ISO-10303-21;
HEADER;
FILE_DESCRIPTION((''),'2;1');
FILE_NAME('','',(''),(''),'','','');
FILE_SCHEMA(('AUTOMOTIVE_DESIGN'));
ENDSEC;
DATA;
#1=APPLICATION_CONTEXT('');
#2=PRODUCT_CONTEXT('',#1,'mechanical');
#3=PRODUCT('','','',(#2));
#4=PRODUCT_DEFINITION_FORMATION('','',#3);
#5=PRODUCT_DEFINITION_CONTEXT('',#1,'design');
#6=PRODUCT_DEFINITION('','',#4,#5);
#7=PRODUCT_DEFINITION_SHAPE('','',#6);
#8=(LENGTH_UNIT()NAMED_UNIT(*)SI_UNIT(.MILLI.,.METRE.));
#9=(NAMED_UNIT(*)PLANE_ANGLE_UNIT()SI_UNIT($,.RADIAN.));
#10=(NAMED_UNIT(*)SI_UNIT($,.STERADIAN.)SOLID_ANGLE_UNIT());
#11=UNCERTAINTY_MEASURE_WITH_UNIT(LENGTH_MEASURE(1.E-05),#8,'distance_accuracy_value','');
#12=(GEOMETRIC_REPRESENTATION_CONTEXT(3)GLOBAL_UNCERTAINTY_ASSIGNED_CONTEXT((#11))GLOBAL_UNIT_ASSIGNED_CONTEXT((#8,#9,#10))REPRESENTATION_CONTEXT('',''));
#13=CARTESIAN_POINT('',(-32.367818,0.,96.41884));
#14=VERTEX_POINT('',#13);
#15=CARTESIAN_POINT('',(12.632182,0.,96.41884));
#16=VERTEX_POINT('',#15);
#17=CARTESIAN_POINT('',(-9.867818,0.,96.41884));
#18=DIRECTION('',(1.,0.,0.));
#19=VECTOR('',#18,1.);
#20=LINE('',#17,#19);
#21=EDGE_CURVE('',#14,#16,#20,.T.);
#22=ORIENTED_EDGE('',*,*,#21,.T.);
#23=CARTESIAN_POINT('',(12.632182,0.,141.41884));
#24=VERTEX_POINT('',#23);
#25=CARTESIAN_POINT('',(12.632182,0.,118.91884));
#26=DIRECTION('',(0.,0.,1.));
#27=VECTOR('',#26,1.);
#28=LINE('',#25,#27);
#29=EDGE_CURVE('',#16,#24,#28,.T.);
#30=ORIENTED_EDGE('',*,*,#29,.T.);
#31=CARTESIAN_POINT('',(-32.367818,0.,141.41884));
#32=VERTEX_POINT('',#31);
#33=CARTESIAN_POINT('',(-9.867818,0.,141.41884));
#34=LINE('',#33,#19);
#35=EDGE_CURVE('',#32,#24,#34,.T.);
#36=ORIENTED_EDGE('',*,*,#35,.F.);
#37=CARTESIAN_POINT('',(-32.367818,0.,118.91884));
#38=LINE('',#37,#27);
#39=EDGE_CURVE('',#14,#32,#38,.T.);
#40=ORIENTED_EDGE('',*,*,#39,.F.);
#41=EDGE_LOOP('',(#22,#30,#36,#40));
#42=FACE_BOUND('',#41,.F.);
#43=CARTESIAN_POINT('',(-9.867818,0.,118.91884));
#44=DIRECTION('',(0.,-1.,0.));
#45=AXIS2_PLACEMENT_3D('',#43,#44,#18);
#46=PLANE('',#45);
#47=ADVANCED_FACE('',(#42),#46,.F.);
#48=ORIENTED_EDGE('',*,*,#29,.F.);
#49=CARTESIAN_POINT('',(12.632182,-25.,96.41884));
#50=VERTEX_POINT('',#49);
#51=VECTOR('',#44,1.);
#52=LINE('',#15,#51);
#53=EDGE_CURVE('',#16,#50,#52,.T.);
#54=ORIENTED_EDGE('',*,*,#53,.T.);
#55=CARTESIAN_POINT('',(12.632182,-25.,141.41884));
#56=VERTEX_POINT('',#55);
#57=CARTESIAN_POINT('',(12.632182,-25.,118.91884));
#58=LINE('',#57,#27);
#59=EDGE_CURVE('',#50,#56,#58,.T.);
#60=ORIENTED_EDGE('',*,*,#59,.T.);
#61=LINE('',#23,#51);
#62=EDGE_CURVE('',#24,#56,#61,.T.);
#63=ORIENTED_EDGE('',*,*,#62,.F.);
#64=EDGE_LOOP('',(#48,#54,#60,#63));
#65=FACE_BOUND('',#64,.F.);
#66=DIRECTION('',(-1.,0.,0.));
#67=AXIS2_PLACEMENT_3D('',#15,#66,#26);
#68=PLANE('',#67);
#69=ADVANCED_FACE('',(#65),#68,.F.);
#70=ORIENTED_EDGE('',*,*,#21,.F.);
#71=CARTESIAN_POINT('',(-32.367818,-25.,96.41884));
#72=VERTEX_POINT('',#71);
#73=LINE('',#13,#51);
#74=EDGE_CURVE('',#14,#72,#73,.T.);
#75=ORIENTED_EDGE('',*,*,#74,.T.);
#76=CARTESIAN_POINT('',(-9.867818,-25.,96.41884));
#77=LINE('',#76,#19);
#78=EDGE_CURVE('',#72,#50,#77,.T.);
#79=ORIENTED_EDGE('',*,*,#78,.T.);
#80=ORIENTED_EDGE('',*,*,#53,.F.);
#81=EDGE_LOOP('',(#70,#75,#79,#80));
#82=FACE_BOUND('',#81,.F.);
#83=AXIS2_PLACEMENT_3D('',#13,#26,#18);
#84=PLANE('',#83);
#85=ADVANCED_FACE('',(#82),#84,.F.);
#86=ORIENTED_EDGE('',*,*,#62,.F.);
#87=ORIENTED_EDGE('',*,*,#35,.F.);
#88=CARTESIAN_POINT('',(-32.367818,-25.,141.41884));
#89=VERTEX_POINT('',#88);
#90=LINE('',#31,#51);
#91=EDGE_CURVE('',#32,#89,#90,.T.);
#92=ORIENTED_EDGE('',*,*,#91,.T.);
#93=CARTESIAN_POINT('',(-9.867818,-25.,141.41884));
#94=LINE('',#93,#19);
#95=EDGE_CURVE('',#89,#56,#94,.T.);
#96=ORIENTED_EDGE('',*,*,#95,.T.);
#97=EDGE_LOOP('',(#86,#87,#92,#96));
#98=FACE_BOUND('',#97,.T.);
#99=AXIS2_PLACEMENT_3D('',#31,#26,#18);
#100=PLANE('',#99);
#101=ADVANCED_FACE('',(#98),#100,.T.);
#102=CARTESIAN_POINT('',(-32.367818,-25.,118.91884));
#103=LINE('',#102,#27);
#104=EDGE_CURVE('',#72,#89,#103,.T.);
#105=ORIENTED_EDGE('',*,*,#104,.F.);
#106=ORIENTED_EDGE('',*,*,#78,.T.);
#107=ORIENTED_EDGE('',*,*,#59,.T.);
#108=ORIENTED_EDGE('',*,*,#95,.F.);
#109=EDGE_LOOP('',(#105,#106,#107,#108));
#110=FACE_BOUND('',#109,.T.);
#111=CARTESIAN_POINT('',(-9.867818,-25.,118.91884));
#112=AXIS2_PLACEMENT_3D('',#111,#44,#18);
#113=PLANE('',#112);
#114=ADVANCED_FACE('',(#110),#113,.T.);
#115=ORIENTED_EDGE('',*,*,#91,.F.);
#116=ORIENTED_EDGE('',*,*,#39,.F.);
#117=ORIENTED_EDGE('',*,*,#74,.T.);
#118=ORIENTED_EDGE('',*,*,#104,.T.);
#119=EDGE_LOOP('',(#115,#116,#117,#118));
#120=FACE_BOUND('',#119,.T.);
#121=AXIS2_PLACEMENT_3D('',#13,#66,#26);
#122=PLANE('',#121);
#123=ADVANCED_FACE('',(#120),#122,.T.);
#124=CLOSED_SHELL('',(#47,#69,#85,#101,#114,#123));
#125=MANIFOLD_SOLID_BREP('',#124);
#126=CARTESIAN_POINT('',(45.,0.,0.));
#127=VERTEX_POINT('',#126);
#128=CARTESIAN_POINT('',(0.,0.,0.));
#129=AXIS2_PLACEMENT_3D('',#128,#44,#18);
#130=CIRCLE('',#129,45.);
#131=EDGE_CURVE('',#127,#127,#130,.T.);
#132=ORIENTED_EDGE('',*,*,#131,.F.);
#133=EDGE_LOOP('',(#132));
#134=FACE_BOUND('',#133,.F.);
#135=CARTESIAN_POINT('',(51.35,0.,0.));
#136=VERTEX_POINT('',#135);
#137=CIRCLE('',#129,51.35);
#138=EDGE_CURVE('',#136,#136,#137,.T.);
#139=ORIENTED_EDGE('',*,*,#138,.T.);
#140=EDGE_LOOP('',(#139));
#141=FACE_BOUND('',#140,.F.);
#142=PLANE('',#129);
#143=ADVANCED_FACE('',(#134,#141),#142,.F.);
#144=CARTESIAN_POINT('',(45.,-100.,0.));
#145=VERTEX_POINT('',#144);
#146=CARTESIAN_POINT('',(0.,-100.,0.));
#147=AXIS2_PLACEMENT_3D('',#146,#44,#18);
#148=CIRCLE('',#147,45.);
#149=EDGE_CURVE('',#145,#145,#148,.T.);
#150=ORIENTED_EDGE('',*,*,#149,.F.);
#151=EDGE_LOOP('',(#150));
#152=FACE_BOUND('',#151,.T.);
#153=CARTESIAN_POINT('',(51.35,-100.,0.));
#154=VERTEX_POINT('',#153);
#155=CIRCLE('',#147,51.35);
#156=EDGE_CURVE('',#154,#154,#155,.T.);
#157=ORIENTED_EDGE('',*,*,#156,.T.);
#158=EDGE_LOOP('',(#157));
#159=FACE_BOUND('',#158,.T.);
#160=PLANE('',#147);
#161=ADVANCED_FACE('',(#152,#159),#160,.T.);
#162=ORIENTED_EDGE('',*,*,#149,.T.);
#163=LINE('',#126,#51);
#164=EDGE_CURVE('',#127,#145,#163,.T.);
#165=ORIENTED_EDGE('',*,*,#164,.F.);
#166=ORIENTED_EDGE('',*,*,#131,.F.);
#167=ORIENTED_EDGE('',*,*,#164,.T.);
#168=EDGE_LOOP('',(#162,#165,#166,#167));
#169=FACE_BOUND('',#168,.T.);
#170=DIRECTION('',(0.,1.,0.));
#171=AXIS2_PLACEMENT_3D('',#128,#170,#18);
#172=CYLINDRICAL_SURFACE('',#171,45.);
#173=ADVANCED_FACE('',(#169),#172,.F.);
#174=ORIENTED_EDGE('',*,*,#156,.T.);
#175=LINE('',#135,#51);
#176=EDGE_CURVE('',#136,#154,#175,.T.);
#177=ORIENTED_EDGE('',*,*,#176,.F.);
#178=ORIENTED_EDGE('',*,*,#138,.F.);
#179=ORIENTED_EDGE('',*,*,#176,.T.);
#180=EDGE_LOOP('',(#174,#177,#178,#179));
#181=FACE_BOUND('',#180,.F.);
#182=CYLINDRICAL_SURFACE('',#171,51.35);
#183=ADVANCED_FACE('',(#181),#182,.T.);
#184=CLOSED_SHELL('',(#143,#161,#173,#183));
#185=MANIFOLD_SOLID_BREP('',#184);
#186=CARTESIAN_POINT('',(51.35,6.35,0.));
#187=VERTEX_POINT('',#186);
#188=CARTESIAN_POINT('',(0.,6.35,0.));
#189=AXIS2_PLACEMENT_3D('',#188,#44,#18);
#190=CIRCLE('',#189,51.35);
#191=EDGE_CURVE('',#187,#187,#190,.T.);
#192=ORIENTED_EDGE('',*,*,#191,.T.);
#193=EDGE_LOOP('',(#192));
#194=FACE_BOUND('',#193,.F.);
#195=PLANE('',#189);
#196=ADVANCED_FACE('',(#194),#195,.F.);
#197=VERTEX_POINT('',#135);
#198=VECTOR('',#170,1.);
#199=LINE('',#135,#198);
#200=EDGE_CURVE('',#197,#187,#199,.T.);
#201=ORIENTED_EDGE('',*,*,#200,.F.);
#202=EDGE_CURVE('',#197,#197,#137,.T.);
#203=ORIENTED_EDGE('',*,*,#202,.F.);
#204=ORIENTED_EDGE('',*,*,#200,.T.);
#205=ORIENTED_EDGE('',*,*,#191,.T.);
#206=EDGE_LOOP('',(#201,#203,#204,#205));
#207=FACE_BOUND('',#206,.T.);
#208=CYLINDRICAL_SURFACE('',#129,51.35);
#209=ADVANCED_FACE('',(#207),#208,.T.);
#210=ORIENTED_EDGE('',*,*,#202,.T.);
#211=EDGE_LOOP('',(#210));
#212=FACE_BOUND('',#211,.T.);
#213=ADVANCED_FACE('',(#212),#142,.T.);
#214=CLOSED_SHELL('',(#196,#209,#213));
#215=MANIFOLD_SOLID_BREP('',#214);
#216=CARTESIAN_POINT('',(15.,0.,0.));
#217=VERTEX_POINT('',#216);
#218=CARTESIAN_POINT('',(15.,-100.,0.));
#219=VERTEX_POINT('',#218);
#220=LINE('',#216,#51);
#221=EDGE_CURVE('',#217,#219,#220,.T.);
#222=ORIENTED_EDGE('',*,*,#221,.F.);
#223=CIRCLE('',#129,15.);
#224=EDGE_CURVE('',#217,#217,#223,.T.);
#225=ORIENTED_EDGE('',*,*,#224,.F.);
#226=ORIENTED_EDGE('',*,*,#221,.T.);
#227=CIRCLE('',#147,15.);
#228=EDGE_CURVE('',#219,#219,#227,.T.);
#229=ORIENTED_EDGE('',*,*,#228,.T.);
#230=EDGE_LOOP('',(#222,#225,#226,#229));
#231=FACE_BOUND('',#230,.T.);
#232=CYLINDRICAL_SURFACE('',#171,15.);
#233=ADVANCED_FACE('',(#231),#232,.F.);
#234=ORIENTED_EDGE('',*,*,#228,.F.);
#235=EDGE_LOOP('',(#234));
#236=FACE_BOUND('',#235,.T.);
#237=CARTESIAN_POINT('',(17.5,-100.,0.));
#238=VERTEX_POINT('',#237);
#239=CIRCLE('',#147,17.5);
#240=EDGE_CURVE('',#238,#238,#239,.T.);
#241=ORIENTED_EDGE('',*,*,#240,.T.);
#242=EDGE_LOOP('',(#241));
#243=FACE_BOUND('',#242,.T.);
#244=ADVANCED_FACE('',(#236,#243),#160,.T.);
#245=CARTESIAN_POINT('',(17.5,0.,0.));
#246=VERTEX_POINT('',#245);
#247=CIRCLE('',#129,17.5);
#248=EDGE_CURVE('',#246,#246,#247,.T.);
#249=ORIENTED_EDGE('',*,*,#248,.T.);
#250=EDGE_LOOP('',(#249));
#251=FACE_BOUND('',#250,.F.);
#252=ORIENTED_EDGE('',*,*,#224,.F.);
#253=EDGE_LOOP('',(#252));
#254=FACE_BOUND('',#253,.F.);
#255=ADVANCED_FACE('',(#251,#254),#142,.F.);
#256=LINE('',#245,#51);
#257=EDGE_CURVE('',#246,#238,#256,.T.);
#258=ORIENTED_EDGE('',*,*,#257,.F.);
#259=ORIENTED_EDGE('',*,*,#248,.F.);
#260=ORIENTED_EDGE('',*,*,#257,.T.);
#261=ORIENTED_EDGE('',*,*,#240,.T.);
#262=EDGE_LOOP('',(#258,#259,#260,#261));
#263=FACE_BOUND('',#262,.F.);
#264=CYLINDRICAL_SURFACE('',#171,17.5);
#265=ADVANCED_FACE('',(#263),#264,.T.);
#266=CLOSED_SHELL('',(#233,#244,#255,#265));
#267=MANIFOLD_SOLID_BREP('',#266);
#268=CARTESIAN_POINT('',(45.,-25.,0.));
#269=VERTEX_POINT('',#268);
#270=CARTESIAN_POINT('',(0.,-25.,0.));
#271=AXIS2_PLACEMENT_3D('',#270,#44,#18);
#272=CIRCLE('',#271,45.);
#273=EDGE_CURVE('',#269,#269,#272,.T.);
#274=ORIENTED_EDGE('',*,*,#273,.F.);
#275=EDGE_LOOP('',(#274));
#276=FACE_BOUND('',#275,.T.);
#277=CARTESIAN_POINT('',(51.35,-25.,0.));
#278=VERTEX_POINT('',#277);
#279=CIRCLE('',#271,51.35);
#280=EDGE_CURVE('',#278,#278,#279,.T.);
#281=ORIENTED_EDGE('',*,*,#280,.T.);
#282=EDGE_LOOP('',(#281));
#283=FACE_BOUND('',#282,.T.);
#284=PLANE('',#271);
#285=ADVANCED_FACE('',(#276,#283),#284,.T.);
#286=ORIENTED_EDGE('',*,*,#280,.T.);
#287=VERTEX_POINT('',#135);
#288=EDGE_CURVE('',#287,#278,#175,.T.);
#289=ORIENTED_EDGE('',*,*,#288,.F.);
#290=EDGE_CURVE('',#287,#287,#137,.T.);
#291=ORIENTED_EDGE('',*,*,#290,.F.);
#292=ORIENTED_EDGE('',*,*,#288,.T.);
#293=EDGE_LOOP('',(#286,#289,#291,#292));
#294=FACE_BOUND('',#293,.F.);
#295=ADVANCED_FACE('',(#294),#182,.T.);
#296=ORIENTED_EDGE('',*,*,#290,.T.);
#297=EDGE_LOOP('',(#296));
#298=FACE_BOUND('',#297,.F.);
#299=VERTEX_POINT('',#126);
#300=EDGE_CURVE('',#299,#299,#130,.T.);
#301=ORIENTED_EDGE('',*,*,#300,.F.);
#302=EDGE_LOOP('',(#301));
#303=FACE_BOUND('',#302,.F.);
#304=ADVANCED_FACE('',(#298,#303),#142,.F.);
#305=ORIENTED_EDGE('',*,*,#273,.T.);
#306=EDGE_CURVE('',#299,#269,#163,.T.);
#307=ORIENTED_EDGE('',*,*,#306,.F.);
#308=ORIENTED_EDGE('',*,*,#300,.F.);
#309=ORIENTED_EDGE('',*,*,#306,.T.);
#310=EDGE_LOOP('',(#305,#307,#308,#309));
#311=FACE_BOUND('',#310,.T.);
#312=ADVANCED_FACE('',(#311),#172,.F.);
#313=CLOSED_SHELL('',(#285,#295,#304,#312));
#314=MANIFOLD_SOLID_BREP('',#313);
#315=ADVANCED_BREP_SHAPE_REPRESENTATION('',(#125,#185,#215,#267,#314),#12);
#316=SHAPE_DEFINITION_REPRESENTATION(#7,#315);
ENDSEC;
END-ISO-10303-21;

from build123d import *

# Parameters (mm, degrees)
F0_R     = 17.5
F0_R_2   = 15
F1_DEPTH = 100
F0_R_3   = 51.35
F0_R_4   = 45
F2_R     = 51.35
F3_DEPTH = 6.35
F4_DEPTH = 25
F0_W     = 45
F0_H     = 45


with BuildPart() as f1:
    # F0 (on Front) → F1 (new body)
    with BuildSketch(Plane.XZ):
        Circle(F0_R)
        Circle(F0_R_2, mode=Mode.SUBTRACT)
    extrude(amount=F1_DEPTH)


with BuildPart() as f1b:
    # F0 (on Front) → F1, piece 2 (new body)
    with BuildSketch(Plane.XZ):
        Circle(F0_R_3)
        Circle(F0_R_4, mode=Mode.SUBTRACT)
    extrude(amount=F1_DEPTH)


with BuildPart() as f3:
    # F2 (on Front) → F3 (new body)
    with BuildSketch(Plane.XZ):
        Circle(F2_R)
    extrude(amount=-F3_DEPTH)


with BuildPart() as f4:
    # F0 (on Front) → F4 (new body)
    with BuildSketch(Plane.XZ):
        Circle(F0_R_3)
        Circle(F0_R_4, mode=Mode.SUBTRACT)
    extrude(amount=F4_DEPTH)


with BuildPart() as f4b:
    # F0 (on Front) → F4, piece 2 (new body)
    with BuildSketch(Plane.XZ):
        with Locations((-9.8678175732, 118.9188403636)):
            Rectangle(F0_W, F0_H)
    extrude(amount=F4_DEPTH)


solid = Compound([f1.part, f1b.part, f3.part, f4.part, f4b.part])
